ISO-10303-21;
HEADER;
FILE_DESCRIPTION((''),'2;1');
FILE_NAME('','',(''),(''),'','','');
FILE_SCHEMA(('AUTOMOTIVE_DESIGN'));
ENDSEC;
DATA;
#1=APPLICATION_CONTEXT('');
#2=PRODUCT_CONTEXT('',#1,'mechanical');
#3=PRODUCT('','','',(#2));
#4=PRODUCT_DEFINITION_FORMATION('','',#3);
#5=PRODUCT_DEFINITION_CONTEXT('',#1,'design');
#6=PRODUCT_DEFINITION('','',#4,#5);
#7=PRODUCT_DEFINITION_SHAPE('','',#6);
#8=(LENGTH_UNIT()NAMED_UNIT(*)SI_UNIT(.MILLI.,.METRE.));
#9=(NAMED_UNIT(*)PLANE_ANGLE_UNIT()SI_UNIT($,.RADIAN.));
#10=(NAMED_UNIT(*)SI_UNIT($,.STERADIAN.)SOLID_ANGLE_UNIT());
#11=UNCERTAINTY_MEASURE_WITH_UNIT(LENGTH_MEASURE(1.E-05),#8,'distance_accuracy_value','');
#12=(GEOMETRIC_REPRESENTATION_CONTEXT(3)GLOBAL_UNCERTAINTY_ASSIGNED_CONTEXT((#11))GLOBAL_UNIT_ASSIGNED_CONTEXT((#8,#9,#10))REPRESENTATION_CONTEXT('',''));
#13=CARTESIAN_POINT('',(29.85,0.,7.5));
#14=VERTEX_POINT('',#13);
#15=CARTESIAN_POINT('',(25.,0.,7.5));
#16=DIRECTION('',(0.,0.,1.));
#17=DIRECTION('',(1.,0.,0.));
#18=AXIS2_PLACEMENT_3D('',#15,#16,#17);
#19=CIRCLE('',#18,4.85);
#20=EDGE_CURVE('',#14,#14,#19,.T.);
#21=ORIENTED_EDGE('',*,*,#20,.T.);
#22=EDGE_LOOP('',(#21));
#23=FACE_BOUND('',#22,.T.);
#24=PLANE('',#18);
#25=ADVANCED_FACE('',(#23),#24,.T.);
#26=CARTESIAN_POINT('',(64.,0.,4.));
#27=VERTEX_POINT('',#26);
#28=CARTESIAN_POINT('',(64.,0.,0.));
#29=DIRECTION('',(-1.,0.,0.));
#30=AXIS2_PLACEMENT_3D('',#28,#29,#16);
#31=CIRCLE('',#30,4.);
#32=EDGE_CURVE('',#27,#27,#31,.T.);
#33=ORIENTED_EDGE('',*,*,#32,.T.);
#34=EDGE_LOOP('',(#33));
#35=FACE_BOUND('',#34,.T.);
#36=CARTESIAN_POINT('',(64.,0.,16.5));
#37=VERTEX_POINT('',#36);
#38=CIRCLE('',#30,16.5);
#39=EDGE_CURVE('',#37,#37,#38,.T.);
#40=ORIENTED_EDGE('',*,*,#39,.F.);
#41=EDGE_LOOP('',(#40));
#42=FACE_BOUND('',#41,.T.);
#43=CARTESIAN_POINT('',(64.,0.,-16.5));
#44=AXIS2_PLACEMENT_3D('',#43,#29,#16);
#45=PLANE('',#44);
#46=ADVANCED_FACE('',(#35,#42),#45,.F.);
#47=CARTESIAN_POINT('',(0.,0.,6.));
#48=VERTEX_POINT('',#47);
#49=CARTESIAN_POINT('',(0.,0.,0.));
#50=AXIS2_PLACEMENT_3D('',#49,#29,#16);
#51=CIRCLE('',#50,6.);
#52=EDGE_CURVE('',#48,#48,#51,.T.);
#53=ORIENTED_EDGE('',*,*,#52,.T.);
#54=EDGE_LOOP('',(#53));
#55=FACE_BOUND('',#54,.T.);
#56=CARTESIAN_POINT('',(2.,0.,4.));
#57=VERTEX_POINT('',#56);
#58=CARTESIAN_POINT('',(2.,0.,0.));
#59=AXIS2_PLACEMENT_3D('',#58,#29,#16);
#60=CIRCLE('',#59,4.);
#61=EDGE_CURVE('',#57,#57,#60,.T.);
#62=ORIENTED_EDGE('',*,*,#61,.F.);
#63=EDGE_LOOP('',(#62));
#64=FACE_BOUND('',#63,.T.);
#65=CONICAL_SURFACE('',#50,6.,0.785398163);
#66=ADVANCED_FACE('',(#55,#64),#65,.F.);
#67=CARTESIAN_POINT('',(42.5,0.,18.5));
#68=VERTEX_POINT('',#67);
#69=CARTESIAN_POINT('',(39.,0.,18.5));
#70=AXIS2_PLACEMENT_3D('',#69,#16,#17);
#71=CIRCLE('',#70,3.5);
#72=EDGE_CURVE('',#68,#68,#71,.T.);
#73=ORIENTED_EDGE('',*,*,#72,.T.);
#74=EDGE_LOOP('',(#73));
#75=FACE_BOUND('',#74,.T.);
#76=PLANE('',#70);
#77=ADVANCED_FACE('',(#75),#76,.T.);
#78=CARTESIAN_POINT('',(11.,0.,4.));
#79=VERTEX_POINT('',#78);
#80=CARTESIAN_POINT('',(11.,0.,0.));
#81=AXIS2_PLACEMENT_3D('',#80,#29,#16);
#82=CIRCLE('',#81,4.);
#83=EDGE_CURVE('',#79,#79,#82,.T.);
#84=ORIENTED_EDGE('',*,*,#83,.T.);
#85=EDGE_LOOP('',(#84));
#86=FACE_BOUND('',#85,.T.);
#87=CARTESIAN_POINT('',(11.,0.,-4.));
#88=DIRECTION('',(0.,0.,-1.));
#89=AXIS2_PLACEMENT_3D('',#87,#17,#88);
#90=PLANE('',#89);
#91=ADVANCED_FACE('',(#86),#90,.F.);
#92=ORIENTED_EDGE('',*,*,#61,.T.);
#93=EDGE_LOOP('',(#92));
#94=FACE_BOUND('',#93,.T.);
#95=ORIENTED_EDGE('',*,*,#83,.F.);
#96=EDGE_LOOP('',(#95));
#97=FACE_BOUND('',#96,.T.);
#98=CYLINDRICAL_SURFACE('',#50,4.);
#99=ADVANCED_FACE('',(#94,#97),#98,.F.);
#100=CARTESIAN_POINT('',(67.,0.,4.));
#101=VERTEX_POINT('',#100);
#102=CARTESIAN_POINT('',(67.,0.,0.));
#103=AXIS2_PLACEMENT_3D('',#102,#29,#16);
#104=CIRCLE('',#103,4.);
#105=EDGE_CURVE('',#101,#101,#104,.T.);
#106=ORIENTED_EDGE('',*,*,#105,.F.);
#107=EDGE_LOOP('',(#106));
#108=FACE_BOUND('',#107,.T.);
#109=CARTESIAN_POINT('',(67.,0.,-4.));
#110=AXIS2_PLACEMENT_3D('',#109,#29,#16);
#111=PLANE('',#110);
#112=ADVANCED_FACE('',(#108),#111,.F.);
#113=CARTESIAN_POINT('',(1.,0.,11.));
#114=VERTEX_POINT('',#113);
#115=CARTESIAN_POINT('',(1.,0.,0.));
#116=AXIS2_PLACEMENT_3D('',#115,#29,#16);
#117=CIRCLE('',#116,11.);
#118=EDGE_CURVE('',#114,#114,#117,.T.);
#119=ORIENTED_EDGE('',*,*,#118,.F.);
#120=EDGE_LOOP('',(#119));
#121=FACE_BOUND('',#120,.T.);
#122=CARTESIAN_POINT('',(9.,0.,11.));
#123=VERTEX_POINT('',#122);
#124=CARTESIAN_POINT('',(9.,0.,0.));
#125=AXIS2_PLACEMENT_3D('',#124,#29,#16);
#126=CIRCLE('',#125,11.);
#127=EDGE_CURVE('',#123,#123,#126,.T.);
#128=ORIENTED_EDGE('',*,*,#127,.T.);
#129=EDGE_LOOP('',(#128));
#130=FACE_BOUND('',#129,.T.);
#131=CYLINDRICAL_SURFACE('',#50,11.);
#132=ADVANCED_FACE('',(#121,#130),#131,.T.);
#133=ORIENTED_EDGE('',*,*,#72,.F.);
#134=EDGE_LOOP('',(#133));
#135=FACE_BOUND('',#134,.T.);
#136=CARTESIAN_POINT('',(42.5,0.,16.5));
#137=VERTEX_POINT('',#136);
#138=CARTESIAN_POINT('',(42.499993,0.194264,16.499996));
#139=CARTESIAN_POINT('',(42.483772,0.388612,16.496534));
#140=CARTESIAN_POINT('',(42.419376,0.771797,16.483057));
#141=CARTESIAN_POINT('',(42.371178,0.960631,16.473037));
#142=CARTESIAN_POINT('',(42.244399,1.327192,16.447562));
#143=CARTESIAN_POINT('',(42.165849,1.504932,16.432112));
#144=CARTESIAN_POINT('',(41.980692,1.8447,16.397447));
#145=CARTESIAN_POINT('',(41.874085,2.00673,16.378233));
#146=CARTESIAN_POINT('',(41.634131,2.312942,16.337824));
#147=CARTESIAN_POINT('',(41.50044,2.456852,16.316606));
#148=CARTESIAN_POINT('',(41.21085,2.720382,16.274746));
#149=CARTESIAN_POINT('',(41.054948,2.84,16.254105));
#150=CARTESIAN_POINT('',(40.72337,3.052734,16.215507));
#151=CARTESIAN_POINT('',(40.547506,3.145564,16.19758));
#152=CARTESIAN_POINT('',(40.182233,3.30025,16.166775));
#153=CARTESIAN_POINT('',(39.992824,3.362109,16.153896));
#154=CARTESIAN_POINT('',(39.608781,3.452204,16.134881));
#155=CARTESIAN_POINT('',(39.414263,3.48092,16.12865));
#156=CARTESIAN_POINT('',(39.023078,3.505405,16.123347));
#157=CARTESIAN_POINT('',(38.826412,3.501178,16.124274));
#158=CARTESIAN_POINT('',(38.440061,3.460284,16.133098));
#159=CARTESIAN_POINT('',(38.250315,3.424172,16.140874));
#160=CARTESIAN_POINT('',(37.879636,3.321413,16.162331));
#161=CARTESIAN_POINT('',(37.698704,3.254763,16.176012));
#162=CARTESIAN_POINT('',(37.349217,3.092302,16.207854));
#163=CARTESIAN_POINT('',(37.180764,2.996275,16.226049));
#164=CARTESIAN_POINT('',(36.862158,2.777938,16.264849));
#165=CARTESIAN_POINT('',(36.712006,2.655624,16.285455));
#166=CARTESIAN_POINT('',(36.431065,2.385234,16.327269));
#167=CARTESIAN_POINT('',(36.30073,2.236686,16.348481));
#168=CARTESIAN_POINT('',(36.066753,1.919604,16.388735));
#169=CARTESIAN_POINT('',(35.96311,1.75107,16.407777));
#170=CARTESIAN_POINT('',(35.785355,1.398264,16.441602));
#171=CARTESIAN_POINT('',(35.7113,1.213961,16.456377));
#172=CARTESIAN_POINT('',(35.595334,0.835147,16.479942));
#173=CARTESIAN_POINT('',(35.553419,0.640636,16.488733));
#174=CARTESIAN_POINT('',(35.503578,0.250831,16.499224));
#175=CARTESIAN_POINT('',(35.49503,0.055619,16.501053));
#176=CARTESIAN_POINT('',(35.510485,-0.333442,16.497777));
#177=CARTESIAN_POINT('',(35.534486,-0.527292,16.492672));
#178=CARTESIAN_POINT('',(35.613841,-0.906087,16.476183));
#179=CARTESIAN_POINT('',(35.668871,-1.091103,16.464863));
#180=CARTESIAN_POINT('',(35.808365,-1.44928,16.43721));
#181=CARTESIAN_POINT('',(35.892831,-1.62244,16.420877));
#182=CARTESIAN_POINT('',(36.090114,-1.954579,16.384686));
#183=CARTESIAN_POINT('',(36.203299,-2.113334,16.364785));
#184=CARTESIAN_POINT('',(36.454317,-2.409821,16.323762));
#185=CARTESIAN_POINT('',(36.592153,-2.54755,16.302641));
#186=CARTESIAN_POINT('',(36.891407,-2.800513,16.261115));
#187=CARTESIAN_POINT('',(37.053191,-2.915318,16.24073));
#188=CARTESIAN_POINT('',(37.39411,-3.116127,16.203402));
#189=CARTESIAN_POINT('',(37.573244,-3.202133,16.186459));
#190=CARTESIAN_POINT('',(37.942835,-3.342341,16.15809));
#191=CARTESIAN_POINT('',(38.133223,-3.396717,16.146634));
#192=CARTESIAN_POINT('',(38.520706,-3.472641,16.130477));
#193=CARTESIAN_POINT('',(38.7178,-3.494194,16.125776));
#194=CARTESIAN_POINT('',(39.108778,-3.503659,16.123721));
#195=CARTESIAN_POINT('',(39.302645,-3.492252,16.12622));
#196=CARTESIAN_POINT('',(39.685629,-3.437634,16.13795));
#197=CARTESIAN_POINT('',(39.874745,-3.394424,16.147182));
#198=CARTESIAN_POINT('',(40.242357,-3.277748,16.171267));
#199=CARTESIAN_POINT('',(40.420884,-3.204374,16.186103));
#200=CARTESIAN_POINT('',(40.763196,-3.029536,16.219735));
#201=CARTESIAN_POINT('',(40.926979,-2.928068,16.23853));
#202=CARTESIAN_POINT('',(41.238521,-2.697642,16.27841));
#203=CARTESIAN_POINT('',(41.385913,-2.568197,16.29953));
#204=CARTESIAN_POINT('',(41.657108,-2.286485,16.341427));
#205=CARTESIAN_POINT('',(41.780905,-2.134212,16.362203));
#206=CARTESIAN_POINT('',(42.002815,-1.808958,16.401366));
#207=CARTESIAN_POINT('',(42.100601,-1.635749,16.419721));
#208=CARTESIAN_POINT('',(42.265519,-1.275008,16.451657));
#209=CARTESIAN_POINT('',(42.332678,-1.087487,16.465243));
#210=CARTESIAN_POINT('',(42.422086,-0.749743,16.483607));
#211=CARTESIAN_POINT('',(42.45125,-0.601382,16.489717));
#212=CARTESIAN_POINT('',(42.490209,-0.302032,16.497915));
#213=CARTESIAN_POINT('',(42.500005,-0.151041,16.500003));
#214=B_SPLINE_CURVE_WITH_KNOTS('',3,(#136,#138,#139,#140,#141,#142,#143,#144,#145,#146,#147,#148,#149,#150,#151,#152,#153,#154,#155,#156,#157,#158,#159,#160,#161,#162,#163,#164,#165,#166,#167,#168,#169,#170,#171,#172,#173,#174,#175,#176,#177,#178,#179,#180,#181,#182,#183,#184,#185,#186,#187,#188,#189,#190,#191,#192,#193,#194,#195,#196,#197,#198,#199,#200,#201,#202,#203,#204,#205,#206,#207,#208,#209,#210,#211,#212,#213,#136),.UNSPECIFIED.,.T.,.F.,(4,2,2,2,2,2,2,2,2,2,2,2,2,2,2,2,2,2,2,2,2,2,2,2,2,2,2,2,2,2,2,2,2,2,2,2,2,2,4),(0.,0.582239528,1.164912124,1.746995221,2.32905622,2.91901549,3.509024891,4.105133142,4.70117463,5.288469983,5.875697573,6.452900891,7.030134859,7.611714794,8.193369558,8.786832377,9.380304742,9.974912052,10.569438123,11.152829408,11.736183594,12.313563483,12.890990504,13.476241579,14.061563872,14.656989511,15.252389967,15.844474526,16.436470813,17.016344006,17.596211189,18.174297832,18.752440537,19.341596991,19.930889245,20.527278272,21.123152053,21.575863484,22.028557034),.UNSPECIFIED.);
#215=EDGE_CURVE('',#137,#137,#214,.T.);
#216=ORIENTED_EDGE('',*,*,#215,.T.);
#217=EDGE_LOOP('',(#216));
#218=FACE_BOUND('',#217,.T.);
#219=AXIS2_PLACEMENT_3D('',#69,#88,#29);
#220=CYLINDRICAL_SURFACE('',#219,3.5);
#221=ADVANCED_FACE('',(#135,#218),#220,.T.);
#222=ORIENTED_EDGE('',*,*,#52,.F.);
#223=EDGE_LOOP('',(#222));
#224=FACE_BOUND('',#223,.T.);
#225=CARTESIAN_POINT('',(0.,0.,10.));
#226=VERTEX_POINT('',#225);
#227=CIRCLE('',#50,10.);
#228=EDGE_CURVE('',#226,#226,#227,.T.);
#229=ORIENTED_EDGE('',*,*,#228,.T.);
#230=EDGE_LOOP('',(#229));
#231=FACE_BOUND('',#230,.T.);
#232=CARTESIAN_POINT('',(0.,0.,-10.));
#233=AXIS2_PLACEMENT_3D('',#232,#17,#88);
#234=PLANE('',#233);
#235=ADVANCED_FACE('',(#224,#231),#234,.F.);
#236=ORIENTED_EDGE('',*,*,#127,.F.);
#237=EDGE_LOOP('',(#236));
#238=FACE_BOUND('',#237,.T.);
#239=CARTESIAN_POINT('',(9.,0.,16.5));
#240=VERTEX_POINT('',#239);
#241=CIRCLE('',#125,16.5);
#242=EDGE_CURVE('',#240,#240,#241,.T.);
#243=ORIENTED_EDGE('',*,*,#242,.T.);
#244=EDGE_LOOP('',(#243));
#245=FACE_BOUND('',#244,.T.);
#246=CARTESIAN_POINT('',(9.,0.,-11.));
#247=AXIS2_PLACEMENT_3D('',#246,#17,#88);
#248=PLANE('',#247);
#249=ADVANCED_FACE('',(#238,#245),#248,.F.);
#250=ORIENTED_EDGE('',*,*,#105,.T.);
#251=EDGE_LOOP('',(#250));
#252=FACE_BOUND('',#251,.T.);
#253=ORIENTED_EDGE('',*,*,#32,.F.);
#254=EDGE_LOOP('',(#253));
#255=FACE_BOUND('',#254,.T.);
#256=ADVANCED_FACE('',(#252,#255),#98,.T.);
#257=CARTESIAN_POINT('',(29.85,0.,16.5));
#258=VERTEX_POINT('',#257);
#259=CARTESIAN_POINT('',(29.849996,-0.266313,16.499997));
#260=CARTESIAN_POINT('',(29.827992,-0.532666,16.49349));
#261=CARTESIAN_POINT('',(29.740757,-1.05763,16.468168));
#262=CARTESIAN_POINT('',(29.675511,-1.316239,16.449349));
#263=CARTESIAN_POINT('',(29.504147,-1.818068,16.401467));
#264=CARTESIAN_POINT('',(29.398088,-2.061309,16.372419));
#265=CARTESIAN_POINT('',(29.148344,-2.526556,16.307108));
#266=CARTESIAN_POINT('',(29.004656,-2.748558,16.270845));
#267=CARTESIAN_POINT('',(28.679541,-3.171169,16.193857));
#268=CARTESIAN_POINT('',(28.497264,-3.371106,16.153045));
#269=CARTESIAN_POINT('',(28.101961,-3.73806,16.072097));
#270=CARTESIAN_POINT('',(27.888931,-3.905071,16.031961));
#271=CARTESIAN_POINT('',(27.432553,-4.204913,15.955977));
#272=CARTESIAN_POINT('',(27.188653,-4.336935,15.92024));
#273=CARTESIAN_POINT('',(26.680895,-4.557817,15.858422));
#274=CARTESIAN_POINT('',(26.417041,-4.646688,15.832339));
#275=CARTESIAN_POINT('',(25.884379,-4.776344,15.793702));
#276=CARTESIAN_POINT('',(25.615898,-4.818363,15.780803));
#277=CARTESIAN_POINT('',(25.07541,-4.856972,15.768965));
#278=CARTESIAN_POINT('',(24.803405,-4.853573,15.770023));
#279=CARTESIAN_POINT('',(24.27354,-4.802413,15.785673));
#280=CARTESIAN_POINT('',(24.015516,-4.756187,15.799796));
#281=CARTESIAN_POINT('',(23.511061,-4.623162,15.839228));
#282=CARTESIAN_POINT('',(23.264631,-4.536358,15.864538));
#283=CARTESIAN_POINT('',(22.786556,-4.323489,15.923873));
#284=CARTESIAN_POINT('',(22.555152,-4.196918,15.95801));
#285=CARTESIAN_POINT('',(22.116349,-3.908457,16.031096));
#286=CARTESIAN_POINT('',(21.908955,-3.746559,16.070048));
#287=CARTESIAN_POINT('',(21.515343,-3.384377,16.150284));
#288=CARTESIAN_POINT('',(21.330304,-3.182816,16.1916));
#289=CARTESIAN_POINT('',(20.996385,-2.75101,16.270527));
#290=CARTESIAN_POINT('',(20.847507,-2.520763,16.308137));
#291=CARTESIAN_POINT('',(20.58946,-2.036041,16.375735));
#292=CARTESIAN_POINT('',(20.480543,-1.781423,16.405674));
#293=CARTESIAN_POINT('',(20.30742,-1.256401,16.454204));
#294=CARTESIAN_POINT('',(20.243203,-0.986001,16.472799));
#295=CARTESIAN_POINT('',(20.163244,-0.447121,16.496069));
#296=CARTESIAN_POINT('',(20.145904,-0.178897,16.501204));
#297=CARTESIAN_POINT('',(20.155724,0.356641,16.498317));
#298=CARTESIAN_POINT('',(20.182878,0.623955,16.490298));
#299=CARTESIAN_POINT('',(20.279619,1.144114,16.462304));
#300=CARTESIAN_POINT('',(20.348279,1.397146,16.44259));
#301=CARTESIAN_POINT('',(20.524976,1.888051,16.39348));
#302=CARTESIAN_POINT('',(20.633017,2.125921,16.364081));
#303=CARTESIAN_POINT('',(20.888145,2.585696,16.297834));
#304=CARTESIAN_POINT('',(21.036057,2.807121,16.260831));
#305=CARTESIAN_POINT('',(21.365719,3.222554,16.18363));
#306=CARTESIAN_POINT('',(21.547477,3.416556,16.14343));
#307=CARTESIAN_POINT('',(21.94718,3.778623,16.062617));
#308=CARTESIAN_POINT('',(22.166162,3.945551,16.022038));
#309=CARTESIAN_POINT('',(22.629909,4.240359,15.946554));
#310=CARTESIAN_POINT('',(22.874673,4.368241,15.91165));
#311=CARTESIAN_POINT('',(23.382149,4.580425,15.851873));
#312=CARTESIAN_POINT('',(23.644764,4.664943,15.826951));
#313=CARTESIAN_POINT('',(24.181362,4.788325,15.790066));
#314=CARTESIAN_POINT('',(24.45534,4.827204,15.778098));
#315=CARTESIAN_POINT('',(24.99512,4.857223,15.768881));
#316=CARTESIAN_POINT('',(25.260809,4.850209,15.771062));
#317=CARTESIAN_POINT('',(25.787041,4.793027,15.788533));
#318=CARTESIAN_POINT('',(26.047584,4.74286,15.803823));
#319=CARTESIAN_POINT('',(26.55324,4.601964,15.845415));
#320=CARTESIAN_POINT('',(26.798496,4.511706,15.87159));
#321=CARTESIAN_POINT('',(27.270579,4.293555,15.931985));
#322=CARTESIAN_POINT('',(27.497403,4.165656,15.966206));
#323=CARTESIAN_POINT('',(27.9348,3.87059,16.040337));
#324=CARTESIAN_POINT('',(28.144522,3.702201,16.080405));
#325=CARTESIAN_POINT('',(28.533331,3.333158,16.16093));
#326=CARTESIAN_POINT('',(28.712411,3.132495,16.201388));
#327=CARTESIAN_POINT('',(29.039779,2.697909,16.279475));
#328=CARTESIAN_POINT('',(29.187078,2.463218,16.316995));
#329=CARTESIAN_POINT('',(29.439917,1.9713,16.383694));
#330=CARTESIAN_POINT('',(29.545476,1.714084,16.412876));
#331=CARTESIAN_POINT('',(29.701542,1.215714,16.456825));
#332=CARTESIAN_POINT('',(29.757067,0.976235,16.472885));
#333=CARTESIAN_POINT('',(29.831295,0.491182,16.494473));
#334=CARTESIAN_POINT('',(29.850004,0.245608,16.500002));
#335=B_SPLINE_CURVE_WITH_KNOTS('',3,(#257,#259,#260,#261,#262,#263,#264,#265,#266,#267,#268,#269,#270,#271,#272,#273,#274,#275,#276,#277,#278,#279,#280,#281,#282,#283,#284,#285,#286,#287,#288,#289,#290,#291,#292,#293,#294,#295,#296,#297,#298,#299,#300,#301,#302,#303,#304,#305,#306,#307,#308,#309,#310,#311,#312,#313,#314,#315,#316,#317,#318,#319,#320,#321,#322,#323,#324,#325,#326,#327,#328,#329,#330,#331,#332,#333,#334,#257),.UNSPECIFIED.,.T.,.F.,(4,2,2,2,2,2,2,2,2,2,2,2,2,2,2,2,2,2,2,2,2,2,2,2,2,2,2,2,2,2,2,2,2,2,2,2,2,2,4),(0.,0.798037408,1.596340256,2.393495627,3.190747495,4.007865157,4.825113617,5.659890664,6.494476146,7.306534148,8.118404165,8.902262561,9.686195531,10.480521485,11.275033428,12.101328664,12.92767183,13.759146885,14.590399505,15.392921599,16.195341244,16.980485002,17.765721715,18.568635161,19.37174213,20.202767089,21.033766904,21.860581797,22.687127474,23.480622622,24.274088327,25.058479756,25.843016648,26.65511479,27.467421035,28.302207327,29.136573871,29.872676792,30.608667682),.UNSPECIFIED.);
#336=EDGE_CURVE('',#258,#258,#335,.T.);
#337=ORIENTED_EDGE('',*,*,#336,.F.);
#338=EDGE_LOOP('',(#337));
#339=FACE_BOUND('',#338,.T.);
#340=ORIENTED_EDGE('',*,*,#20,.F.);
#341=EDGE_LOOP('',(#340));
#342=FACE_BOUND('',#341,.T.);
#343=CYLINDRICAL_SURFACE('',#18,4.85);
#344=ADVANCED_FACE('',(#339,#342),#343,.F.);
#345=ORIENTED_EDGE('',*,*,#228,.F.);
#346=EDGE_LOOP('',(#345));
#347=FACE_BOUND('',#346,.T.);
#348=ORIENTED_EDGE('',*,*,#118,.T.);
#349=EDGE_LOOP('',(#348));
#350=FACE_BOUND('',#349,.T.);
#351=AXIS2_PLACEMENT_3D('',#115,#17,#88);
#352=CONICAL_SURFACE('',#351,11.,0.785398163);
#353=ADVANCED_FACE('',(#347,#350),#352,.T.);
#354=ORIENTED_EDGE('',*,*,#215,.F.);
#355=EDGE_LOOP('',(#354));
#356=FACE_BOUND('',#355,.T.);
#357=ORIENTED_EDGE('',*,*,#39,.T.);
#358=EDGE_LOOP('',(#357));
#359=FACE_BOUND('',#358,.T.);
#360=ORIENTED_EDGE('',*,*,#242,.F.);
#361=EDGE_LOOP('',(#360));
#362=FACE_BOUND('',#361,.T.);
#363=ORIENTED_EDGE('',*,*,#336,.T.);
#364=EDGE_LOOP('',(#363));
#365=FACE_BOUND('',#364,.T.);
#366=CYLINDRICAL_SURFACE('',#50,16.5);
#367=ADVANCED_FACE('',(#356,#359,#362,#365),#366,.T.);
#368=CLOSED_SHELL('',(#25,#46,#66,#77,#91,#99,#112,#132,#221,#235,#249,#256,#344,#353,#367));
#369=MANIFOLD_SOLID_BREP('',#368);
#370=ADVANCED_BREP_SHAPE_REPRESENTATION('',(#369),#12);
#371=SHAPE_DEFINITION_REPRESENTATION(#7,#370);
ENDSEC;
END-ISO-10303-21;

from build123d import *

# Parameters (mm, degrees)
SKETCH2_R                            = 4.85
CUT_EXTRUDE1_DEPTH                   = 9
SKETCH3_R                            = 3.5
BOSS_EXTRUDE1_DEPTH                  = 2
BOSS_EXTRUDE1_DIRECTION_2_REACH      = 78.487
BOSS_EXTRUDE1_DIRECTION_2_END_RADIUS = 16.5


with BuildPart() as part:
    # Sketch1 → Revolve1 (revolve)
    with BuildSketch(Plane(origin=(0, 0, 0), x_dir=(1, 0, 0), z_dir=(0, 1, 0)), mode=Mode.PRIVATE) as revolve1_sk:
        Polygon((0, 10), (0, 6), (2, 4), (11, 4), (11, 0), (67, 0), (67, 4), (64, 4), (64, 16.5), (9, 16.5), (9, 11), (1, 11), align=None)
    revolve(revolve1_sk.sketch.rotate(Axis((0, 0, 0), (1, 0, 0)), 180), axis=Axis((0, 0, 0), (1, 0, 0)))

    # Sketch2 → Cut-Extrude1 (cut)
    with BuildSketch(Plane.XY.offset(16.5)):
        with Locations((25, 0)):
            Circle(SKETCH2_R)
    extrude(amount=-CUT_EXTRUDE1_DEPTH, mode=Mode.SUBTRACT)


with BuildPart() as boss_extrude1_tool:
    # Sketch3 → Boss-Extrude1 (new body)
    with BuildSketch(Plane.XY.offset(16.5)):
        with Locations((39, 0)):
            Circle(SKETCH3_R)
    extrude(amount=BOSS_EXTRUDE1_DEPTH)


with BuildPart() as part_1:
    add(part.part)


with BuildPart() as part_2:
    # Boss-Extrude1: joined with boss_extrude1_tool
    add(part_1.part.fuse(boss_extrude1_tool.part, tol=0.00001))

    # Boss-Extrude1 direction 2: up to this cylinder (the profile starts outside it)
    boss_extrude1_direction_2_end = Plane(origin=(39, 0, 0), z_dir=(-1, 0, 0)) * Cylinder(BOSS_EXTRUDE1_DIRECTION_2_END_RADIUS, 190.974, mode=Mode.PRIVATE)
    # Sketch3 → Boss-Extrude1 direction 2 (add, up to the surface)
    with BuildSketch(Plane.XY.offset(16.5), mode=Mode.PRIVATE) as boss_extrude1_direction_2_sk1:
        with Locations((39, 0)):
            Circle(SKETCH3_R)
    boss_extrude1_direction_2_tool1 = extrude(boss_extrude1_direction_2_sk1.sketch, amount=-BOSS_EXTRUDE1_DIRECTION_2_REACH, mode=Mode.PRIVATE) - boss_extrude1_direction_2_end
    add(boss_extrude1_direction_2_tool1.solids().sort_by_distance((39, 0, 16.5))[0])
    add(boss_extrude1_direction_2_tool1.solids().sort_by_distance((39, 0, 16.5))[1])


solid = part_2.part
